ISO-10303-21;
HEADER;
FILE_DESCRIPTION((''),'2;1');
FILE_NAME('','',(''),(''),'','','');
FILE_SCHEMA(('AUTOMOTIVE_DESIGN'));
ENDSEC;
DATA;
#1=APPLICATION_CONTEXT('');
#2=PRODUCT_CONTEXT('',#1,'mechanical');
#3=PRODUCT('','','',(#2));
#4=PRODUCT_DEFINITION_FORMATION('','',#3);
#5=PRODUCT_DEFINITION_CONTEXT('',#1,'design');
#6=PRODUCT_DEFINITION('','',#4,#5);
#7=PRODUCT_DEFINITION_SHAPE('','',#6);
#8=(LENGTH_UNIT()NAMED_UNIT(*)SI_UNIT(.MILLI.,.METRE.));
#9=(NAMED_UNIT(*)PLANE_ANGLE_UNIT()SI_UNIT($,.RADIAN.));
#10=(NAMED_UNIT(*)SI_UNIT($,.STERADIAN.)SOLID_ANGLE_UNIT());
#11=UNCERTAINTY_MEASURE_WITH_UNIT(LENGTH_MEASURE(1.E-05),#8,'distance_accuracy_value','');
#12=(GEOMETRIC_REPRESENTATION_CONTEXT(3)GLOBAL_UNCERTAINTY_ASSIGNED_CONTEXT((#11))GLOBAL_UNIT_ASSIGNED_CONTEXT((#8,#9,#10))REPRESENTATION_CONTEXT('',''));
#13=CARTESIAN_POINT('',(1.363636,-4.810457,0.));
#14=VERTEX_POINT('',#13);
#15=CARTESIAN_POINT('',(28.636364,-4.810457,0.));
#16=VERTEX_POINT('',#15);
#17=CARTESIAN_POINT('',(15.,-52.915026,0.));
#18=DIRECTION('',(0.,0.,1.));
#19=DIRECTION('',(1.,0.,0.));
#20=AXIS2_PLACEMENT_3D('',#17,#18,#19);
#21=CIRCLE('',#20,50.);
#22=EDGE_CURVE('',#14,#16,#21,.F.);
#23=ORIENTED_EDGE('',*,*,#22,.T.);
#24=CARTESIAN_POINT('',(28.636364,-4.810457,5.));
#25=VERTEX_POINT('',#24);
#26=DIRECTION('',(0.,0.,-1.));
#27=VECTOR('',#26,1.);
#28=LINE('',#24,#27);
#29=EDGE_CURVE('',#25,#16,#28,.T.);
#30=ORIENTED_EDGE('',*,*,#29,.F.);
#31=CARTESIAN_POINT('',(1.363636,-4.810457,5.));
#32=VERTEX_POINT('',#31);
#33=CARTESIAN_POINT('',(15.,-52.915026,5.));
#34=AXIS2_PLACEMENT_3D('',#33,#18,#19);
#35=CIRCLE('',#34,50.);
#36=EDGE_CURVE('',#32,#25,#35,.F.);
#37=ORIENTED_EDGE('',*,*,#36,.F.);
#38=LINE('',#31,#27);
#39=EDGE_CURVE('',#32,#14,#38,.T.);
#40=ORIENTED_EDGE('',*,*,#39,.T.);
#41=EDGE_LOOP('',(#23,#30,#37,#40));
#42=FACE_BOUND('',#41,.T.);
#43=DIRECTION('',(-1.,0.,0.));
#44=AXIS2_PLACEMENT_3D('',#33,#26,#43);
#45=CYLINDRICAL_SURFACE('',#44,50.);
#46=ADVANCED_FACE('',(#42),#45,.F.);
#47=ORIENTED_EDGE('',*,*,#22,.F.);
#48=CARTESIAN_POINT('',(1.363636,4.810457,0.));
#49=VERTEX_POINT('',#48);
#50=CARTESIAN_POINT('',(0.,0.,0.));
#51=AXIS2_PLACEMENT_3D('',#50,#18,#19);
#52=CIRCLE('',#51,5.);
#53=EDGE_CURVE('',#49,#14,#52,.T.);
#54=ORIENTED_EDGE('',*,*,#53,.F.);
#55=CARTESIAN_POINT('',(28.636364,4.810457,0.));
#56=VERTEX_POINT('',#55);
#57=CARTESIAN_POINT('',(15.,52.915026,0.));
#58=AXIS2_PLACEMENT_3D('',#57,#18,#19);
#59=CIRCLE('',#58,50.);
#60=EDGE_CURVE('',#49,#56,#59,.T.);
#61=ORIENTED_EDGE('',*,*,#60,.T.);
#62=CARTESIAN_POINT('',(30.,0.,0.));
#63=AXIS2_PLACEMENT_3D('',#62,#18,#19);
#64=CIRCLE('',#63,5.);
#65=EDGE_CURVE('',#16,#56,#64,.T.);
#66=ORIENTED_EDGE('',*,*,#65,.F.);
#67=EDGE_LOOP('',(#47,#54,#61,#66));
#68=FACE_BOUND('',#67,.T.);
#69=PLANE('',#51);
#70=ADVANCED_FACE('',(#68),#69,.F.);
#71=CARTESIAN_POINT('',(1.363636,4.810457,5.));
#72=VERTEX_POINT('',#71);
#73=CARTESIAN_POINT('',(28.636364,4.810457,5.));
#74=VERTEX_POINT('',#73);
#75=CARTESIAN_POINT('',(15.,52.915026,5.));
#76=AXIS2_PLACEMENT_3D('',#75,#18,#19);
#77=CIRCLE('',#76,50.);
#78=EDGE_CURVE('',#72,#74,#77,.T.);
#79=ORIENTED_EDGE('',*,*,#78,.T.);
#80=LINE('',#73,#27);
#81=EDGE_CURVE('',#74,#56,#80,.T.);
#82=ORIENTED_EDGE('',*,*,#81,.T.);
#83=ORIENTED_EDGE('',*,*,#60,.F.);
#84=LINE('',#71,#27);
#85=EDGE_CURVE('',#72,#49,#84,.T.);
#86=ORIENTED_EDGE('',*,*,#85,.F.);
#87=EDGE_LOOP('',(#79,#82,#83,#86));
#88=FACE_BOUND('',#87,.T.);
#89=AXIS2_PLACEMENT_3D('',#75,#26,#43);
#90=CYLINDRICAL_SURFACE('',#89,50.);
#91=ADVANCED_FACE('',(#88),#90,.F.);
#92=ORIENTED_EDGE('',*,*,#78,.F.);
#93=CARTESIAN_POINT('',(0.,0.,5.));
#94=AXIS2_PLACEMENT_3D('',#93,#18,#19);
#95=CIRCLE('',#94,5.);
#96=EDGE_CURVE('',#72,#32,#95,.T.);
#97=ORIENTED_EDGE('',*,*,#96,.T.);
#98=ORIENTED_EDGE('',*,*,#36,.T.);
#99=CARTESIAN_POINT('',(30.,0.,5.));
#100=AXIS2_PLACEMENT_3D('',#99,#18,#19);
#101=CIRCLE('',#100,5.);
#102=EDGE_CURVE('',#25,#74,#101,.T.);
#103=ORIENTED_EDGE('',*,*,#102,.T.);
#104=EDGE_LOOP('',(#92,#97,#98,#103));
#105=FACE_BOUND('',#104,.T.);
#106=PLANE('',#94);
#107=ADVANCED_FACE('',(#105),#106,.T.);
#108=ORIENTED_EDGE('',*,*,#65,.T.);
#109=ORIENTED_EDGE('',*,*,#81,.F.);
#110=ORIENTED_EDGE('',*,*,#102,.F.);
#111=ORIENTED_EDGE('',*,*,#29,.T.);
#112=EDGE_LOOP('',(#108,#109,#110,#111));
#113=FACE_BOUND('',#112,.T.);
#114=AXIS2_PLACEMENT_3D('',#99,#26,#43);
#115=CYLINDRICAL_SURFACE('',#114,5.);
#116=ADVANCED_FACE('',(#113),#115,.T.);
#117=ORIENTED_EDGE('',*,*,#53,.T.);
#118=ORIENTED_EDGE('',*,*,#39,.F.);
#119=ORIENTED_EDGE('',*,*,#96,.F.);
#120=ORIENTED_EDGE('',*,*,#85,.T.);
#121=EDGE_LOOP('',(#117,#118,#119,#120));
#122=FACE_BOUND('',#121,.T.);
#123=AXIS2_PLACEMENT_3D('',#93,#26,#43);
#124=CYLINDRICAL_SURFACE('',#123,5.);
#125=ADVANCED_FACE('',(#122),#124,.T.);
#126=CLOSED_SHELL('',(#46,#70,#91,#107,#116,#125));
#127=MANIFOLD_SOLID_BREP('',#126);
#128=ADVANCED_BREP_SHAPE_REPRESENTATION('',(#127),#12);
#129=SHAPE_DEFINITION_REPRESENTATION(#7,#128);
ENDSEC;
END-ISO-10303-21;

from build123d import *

# Parameters (mm, degrees)
BOSS_EXTRUDE1_DEPTH = 5


with BuildPart() as part:
    # Sketch1 → Boss-Extrude1 (new body)
    with BuildSketch(Plane.XY):
        with BuildLine():
            ThreePointArc((28.636363636, 4.810456929), (15, 2.915026221), (1.363636364, 4.810456929))
            ThreePointArc((1.363636364, 4.810456929), (-5, 0), (1.363636364, -4.810456929))
            ThreePointArc((1.363636364, -4.810456929), (15, -2.915026221), (28.636363636, -4.810456929))
            ThreePointArc((28.636363636, -4.810456929), (35, 0), (28.636363636, 4.810456929))
        make_face()
    extrude(amount=BOSS_EXTRUDE1_DEPTH)


solid = part.part
